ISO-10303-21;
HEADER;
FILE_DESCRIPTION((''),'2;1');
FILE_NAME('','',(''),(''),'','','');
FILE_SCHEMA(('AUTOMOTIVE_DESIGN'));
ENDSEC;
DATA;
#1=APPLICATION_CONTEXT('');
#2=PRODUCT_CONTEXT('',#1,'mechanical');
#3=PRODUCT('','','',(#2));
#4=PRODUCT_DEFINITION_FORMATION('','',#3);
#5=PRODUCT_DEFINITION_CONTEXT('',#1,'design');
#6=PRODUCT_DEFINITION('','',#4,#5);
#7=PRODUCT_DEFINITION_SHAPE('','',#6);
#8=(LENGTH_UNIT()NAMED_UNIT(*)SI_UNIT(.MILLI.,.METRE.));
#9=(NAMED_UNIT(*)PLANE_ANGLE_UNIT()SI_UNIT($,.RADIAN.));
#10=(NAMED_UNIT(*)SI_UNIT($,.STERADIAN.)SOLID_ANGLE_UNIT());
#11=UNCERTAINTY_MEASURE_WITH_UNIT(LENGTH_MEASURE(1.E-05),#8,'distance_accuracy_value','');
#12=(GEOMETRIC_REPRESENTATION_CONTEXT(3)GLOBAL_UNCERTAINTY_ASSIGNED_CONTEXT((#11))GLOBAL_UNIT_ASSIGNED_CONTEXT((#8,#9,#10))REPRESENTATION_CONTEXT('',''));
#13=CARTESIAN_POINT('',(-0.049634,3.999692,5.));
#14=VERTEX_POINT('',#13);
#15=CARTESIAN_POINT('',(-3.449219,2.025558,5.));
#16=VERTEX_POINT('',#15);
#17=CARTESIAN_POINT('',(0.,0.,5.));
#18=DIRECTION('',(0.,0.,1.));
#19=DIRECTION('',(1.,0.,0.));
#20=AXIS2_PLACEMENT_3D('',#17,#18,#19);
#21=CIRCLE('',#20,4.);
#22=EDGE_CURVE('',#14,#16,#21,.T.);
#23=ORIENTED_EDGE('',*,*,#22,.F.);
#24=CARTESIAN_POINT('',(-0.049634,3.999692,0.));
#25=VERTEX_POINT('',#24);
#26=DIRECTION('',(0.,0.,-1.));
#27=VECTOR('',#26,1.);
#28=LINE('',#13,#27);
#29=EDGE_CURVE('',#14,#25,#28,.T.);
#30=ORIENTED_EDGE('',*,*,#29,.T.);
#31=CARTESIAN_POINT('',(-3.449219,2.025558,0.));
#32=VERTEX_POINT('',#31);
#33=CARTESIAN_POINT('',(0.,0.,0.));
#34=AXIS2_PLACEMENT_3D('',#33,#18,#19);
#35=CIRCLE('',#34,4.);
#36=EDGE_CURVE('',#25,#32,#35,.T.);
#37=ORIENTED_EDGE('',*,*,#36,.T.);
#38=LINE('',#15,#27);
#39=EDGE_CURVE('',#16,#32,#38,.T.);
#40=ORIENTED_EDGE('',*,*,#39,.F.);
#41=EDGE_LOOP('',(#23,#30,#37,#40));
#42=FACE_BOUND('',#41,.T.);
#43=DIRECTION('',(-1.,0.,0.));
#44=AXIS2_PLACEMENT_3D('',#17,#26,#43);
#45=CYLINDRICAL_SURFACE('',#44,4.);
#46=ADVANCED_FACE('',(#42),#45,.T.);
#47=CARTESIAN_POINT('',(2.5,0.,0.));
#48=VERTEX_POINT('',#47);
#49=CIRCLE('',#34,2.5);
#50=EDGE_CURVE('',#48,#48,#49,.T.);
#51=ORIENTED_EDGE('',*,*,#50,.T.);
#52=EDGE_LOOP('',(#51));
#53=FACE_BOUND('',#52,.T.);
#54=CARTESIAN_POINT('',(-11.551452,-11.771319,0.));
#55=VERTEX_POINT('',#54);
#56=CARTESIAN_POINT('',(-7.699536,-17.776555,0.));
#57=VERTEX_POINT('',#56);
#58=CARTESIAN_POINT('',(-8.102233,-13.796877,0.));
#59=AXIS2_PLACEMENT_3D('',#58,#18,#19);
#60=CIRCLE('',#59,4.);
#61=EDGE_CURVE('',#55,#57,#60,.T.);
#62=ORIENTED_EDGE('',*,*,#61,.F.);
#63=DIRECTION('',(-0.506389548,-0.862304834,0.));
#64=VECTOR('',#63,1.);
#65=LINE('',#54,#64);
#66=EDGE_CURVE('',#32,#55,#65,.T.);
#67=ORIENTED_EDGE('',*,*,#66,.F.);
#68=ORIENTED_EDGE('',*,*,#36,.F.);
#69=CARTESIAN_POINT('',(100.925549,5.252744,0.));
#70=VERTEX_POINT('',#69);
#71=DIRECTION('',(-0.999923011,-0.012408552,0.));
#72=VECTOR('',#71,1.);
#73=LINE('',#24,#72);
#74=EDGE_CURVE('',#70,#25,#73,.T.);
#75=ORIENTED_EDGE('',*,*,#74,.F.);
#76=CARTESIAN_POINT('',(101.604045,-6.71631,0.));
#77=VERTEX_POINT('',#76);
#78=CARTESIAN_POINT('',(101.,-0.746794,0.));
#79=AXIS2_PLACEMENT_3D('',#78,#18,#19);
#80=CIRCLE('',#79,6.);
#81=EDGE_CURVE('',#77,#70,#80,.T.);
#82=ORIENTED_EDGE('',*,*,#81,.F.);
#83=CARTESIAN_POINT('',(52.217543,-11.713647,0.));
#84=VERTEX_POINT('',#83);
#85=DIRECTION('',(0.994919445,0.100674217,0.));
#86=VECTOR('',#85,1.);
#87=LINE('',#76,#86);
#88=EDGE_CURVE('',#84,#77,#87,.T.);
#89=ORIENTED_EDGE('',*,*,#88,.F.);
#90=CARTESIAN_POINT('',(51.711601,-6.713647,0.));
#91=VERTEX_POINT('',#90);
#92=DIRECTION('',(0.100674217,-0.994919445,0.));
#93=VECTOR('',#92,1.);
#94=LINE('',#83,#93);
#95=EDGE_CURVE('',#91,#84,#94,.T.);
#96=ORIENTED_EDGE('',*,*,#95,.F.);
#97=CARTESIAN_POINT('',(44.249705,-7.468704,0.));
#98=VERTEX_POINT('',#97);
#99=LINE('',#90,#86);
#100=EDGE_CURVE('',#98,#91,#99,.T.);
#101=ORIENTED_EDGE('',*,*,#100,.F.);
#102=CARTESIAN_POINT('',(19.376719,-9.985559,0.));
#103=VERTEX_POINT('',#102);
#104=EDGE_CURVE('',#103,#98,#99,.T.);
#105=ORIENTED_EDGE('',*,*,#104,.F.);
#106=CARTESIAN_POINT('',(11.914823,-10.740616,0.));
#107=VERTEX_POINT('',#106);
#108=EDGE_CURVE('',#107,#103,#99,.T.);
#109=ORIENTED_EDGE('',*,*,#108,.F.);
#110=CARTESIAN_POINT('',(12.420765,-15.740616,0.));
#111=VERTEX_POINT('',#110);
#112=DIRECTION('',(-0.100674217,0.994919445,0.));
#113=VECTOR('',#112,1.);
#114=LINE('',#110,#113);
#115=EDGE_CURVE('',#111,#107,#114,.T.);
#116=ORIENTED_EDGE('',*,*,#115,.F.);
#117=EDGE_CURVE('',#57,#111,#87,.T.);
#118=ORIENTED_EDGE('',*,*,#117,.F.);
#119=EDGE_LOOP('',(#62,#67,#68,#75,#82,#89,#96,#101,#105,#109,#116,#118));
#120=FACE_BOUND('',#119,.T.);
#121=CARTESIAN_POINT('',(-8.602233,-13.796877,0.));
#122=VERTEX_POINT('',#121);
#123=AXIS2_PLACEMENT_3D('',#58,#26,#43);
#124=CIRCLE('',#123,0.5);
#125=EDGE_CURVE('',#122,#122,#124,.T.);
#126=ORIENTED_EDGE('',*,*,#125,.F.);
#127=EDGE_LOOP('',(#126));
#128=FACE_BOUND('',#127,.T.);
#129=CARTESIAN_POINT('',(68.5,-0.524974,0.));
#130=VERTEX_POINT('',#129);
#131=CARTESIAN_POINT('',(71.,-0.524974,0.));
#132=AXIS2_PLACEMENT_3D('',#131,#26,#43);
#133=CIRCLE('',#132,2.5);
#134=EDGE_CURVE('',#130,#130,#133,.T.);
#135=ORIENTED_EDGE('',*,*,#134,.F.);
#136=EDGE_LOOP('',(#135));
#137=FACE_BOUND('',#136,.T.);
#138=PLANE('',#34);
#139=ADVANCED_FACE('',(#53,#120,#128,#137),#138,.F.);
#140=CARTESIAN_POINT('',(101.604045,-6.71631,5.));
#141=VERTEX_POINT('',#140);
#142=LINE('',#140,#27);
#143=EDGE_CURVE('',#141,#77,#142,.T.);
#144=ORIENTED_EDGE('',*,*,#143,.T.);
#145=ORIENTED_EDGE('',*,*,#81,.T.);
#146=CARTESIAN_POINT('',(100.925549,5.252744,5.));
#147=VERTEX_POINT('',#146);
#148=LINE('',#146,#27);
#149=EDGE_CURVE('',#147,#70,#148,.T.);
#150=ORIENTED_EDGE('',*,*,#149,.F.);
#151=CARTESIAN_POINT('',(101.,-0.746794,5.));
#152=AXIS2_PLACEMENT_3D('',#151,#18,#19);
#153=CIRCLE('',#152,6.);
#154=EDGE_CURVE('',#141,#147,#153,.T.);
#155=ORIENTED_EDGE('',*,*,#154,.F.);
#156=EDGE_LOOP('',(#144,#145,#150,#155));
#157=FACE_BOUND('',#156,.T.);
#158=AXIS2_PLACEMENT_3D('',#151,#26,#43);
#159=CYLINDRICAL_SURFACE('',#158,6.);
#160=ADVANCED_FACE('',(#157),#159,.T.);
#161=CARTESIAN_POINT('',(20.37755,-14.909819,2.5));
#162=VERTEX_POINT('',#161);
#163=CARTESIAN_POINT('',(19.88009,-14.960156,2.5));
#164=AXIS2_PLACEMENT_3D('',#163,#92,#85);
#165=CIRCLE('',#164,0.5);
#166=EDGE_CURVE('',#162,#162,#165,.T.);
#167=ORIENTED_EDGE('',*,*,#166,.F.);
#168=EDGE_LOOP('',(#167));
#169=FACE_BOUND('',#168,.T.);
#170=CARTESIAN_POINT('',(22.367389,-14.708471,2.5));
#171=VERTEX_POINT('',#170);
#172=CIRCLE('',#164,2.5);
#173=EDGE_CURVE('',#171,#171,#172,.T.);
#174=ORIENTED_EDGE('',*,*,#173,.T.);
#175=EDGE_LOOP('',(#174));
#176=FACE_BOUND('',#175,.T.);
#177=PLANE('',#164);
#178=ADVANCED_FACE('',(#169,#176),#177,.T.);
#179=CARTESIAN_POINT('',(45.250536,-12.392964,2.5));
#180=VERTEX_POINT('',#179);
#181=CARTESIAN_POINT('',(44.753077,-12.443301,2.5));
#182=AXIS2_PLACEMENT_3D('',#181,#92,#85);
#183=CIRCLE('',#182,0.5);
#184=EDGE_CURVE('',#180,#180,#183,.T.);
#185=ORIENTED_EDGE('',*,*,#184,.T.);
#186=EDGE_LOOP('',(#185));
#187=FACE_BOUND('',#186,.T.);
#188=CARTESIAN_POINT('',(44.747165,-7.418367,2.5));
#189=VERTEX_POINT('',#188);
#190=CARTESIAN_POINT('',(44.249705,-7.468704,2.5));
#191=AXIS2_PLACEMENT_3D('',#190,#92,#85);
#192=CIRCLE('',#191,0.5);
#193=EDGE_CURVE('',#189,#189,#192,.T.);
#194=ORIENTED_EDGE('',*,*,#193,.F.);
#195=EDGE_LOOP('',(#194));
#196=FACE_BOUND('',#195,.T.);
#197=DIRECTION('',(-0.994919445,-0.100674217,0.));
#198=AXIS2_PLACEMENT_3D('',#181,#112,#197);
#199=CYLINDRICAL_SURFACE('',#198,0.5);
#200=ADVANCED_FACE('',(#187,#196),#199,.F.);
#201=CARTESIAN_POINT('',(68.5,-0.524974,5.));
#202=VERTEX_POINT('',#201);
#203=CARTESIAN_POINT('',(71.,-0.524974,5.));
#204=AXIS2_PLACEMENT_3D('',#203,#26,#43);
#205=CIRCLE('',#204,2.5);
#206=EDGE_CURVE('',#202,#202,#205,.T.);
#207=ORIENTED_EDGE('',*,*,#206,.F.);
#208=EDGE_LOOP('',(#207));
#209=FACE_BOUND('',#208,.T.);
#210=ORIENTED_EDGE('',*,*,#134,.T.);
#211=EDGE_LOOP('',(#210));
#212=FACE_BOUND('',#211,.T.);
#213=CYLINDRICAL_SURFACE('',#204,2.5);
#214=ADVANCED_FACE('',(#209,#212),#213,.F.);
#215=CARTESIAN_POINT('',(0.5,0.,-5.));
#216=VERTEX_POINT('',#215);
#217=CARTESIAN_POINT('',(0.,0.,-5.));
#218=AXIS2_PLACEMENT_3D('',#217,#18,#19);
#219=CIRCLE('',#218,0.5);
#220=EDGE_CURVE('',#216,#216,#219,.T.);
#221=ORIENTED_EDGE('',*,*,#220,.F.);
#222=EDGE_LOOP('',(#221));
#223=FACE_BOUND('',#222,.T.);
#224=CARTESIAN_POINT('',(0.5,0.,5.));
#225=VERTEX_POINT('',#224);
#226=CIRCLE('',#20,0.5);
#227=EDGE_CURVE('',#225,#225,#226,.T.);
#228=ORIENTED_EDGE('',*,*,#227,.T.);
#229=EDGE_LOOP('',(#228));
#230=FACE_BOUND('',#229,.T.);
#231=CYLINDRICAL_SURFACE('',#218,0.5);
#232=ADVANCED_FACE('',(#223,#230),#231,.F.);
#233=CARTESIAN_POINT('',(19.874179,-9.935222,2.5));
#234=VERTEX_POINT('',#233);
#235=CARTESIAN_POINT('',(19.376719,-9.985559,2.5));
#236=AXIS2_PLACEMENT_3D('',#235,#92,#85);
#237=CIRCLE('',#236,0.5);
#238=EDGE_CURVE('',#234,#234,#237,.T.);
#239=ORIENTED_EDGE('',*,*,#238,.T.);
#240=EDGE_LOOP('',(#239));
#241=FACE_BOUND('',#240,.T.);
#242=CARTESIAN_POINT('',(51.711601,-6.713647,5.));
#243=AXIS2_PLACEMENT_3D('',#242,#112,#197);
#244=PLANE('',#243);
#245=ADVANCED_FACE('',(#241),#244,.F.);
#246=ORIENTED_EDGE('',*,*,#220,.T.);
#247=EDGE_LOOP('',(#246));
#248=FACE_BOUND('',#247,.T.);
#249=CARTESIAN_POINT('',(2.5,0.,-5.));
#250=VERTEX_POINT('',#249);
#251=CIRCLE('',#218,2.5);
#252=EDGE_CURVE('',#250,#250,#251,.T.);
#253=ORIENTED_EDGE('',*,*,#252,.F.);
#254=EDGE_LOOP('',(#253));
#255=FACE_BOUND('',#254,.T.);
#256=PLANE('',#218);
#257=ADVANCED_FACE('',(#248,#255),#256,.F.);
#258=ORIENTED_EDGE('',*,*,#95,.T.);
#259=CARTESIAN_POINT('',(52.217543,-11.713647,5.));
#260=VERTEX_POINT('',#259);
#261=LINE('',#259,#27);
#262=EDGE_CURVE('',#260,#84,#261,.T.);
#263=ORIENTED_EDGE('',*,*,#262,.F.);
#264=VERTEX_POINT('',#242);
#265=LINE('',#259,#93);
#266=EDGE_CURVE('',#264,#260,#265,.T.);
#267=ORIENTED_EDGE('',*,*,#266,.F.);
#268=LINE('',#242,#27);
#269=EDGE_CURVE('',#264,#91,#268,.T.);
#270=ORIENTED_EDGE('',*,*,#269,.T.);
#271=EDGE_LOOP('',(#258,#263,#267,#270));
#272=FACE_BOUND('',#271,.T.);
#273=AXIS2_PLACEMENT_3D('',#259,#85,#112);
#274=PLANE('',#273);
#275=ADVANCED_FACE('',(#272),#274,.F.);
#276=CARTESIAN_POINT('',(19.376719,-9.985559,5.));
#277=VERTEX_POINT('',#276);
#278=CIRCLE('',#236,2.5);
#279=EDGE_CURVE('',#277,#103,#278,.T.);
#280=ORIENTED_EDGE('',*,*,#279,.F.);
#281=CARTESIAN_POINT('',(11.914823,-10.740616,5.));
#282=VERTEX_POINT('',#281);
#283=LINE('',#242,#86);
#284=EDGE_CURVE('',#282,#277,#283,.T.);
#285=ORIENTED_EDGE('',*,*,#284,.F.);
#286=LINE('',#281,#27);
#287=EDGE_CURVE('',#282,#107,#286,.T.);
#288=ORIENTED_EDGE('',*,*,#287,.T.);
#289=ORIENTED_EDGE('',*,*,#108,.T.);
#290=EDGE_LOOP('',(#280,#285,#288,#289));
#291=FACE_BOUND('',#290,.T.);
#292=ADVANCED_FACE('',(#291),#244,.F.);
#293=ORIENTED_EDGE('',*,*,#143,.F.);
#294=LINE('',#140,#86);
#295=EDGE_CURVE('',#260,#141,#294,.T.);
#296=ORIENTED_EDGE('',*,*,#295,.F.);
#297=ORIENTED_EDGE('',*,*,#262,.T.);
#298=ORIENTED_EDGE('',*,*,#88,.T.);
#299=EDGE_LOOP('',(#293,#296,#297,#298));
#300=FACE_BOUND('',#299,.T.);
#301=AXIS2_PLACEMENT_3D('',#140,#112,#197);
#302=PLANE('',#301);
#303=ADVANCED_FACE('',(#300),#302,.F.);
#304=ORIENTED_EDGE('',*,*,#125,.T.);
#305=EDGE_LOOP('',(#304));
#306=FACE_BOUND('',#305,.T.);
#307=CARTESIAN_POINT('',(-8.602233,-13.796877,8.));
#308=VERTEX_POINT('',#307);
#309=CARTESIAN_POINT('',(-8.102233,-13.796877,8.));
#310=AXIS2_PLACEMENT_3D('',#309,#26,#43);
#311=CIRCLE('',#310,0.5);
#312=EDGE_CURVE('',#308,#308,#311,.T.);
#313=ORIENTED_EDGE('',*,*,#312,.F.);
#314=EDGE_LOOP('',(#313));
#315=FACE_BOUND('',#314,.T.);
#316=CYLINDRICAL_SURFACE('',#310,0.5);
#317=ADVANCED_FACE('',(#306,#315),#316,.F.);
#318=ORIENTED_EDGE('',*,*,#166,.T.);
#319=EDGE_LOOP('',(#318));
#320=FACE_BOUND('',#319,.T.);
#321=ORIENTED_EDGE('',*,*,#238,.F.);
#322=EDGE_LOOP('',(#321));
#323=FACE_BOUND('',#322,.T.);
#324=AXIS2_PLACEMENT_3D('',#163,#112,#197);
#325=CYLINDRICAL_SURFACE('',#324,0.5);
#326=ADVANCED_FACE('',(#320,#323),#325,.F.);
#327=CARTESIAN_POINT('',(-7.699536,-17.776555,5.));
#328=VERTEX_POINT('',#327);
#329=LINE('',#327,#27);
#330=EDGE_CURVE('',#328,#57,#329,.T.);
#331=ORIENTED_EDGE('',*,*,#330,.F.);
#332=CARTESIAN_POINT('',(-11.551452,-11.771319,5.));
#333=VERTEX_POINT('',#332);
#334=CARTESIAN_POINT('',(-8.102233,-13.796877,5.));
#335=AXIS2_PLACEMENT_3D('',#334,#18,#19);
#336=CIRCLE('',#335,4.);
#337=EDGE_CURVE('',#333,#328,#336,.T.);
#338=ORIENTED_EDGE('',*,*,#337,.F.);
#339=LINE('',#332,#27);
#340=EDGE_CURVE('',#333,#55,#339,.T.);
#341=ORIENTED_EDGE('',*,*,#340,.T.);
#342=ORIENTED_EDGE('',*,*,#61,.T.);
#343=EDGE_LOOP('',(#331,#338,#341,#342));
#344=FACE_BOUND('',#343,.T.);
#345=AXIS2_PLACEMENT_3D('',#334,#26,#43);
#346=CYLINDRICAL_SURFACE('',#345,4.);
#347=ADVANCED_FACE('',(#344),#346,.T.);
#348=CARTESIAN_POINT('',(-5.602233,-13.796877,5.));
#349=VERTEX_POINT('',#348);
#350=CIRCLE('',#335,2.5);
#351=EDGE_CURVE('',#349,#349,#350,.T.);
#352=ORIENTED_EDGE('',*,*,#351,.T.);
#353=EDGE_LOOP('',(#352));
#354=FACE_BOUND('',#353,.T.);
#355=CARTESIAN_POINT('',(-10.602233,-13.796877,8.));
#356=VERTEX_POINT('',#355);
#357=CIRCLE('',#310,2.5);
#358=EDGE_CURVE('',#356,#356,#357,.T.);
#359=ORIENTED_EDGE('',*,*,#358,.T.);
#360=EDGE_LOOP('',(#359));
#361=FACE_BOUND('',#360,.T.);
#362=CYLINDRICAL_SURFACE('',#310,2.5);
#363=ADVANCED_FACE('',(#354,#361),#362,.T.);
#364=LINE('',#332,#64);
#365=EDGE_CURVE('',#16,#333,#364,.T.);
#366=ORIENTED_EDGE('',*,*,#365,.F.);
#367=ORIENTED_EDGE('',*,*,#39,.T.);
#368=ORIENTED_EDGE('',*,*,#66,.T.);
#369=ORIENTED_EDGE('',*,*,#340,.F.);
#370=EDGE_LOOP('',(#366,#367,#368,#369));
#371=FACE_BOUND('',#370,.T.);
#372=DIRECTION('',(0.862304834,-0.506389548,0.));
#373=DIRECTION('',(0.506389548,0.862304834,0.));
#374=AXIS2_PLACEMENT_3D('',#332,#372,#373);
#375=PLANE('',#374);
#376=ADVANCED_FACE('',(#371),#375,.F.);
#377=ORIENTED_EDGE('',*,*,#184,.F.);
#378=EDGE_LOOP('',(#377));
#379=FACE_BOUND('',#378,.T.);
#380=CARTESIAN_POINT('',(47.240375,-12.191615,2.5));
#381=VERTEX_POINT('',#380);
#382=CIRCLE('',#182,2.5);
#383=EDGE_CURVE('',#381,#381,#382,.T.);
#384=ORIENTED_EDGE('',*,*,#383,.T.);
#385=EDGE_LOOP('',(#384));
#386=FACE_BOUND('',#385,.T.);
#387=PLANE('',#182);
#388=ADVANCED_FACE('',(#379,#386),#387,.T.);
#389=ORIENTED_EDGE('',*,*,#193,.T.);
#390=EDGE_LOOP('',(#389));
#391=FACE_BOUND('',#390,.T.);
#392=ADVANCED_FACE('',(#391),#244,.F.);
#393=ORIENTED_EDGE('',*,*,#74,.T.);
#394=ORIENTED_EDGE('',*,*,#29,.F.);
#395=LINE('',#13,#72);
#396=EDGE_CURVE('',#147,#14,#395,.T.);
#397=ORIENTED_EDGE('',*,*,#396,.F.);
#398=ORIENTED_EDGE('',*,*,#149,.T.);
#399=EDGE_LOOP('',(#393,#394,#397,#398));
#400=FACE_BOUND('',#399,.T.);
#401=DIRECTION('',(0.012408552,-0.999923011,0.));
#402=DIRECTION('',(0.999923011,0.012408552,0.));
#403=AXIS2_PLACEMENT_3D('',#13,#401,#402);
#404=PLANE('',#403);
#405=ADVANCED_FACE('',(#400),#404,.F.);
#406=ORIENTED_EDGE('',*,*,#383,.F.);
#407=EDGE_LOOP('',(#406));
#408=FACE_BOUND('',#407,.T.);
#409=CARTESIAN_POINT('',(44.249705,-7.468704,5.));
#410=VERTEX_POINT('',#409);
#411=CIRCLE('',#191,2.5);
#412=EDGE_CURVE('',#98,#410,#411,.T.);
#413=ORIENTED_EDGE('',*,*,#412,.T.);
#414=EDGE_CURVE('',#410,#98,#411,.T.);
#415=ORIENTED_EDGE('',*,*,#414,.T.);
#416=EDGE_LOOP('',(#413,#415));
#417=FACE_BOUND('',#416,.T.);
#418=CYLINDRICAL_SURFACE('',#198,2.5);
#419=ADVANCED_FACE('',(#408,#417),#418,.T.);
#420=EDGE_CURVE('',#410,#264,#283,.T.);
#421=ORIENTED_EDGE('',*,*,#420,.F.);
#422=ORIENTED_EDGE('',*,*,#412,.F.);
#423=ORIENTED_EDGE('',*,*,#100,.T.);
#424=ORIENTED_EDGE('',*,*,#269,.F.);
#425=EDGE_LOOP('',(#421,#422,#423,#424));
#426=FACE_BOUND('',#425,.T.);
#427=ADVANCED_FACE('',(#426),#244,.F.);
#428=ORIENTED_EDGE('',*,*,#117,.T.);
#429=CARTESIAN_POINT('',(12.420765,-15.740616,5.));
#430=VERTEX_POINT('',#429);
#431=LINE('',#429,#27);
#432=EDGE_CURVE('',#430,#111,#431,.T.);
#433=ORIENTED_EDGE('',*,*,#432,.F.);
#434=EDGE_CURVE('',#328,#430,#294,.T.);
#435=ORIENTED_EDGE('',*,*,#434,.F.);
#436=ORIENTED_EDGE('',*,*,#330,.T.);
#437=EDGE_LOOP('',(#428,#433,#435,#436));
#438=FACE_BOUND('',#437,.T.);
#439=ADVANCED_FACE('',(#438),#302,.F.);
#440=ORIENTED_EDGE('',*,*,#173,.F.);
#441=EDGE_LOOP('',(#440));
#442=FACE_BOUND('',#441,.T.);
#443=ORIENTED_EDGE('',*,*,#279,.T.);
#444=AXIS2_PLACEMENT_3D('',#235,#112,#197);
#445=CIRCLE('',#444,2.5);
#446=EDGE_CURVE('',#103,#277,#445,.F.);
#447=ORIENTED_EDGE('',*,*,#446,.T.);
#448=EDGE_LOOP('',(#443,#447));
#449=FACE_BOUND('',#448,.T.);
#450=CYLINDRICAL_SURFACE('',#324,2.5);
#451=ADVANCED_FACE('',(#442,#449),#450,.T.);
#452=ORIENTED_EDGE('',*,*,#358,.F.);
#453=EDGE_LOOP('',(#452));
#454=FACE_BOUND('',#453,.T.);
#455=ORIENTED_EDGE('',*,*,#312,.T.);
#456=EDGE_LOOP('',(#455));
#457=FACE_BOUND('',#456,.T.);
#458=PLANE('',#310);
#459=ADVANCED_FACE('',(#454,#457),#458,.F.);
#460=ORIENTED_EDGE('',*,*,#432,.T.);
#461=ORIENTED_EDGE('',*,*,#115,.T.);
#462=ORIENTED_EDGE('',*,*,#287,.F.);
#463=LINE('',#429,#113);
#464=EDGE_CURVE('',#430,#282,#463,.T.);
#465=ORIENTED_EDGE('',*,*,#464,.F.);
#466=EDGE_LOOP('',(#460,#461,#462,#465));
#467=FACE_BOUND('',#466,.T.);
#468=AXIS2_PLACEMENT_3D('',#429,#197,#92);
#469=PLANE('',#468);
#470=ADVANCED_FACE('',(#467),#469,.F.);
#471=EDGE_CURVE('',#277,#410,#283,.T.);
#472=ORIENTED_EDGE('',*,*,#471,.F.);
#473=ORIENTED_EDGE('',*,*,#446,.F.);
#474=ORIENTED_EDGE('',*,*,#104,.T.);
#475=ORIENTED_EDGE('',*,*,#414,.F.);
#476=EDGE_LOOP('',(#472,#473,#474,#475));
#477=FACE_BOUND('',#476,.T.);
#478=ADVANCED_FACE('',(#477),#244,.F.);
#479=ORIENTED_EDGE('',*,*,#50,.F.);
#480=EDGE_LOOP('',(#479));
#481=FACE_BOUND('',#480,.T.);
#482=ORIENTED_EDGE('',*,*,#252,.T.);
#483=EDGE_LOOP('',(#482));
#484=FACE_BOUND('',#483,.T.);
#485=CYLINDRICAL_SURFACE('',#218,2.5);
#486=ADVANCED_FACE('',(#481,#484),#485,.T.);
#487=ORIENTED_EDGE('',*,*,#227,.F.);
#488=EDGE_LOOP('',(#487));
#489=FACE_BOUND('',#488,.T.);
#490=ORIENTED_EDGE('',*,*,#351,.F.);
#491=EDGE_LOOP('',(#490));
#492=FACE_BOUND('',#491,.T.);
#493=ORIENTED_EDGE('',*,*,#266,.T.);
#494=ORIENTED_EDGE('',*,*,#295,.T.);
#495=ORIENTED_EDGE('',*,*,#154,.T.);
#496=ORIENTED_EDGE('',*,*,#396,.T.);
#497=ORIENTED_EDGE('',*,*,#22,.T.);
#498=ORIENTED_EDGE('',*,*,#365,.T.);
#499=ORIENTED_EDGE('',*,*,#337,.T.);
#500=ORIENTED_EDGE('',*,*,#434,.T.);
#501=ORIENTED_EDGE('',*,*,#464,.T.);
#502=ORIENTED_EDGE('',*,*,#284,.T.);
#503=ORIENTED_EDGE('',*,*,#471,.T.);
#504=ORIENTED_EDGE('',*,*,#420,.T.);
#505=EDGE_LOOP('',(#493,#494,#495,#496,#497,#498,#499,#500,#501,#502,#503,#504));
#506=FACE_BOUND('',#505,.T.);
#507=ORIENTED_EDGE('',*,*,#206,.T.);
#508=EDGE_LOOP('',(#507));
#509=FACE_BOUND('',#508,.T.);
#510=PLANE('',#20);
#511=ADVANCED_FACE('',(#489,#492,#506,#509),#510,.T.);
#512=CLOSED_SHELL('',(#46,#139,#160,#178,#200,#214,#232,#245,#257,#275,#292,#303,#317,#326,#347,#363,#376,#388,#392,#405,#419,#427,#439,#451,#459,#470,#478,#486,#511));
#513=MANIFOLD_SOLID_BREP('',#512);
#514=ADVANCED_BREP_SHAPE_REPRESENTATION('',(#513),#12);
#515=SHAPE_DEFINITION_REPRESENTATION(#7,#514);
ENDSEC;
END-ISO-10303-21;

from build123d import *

# Parameters (mm, degrees)
SKETCH3_R           = 2.5
BOSS_EXTRUDE1_DEPTH = 5
BOSS_EXTRUDE2_START = -10
SKETCH4_R           = 2.5
SKETCH4_R_2         = 0.5
BOSS_EXTRUDE2_DEPTH = 10
SKETCH5_R           = 2.5
SKETCH5_R_2         = 0.5
BOSS_EXTRUDE3_DEPTH = 8
SKETCH6_R           = 2.5
CUT_EXTRUDE1_DEPTH  = 5
CUT_EXTRUDE2_DEPTH  = 5
SKETCH8_R           = 2.5
SKETCH8_R_2         = 0.5
BOSS_EXTRUDE4_DEPTH = 5


with BuildPart() as part:
    # Sketch3 → Boss-Extrude1 (new body)
    with BuildSketch(Plane.XY):
        with BuildLine():
            Line((-11.551452097, -11.771319146), (-3.449219334, 2.025558191))
            ThreePointArc((-3.449219334, 2.025558191), (-2.00867995, 3.459075723), (-0.049634206, 3.999692044))
            Line((-0.049634206, 3.999692044), (100.92554869, 5.252744283))
            ThreePointArc((100.92554869, 5.252744283), (106.990382731, -0.40721355), (101.604045304, -6.716310453))
            Line((101.604045304, -6.716310453), (-7.699535894, -17.776555117))
            ThreePointArc((-7.699535894, -17.776555117), (-11.469136318, -15.956497778), (-11.551452097, -11.771319146))
        make_face()
        with Locations((-8.102232763, -13.796877337)):
            Circle(SKETCH3_R, mode=Mode.SUBTRACT)
        Circle(SKETCH3_R, mode=Mode.SUBTRACT)
    extrude(amount=BOSS_EXTRUDE1_DEPTH)

    # Sketch4 → Boss-Extrude2 (add)
    with BuildSketch(Plane.XY.offset(5).offset(BOSS_EXTRUDE2_START)):
        Circle(SKETCH4_R)
        Circle(SKETCH4_R_2, mode=Mode.SUBTRACT)
    extrude(amount=BOSS_EXTRUDE2_DEPTH)

    # Sketch5 → Boss-Extrude3 (add)
    with BuildSketch(Plane(origin=(0, 0, 0), x_dir=(-1, 0, 0), z_dir=(0, 0, -1))):
        with Locations((8.102232763, -13.796877337)):
            Circle(SKETCH5_R)
        with Locations((8.102232763, -13.796877337)):
            Circle(SKETCH5_R_2, mode=Mode.SUBTRACT)
    extrude(amount=-BOSS_EXTRUDE3_DEPTH)

    # Sketch6 → Cut-Extrude1 (cut)
    with BuildSketch(Plane(origin=(0, 0, 0), x_dir=(-1, 0, 0), z_dir=(0, 0, -1))):
        with Locations((-71, -0.524973847)):
            Circle(SKETCH6_R)
    extrude(amount=-CUT_EXTRUDE1_DEPTH, mode=Mode.SUBTRACT)

    # Sketch7 → Cut-Extrude2 (cut)
    with BuildSketch(Plane(origin=(0, 0, 0), x_dir=(-1, 0, 0), z_dir=(0, 0, -1))):
        Polygon((-52.217542839, -11.713647177), (-12.42076504, -15.740615868), (-11.91482349, -10.740615868), (-51.711601289, -6.713647177), align=None)
    extrude(amount=-CUT_EXTRUDE2_DEPTH, mode=Mode.SUBTRACT)

    # Sketch8 → Boss-Extrude4 (add)
    # profile 1 of 2: a face of its own
    with BuildSketch(Plane(origin=(1.196569763, -11.825177849, 0), x_dir=(0.9949194449683489, 0.10067421727469462, 0), z_dir=(0.10067421727469462, -0.9949194449683489, 0))):
        with Locations(Location((18.272986478, 2.5, 0), (0, 0, 270))):
            Circle(SKETCH8_R)
        with Locations((18.272986478, 2.5)):
            Circle(SKETCH8_R_2, mode=Mode.SUBTRACT)
    # profile 2 of 2: a face of its own
    with BuildSketch(Plane(origin=(1.196569763, -11.825177849, 0), x_dir=(0.9949194449683489, 0.10067421727469462, 0), z_dir=(0.10067421727469462, -0.9949194449683489, 0))):
        with Locations(Location((43.272986478, 2.5, 0), (0, 0, 270))):
            Circle(SKETCH8_R)
        with Locations((43.272986478, 2.5)):
            Circle(SKETCH8_R_2, mode=Mode.SUBTRACT)
    extrude(amount=BOSS_EXTRUDE4_DEPTH)


solid = part.part
